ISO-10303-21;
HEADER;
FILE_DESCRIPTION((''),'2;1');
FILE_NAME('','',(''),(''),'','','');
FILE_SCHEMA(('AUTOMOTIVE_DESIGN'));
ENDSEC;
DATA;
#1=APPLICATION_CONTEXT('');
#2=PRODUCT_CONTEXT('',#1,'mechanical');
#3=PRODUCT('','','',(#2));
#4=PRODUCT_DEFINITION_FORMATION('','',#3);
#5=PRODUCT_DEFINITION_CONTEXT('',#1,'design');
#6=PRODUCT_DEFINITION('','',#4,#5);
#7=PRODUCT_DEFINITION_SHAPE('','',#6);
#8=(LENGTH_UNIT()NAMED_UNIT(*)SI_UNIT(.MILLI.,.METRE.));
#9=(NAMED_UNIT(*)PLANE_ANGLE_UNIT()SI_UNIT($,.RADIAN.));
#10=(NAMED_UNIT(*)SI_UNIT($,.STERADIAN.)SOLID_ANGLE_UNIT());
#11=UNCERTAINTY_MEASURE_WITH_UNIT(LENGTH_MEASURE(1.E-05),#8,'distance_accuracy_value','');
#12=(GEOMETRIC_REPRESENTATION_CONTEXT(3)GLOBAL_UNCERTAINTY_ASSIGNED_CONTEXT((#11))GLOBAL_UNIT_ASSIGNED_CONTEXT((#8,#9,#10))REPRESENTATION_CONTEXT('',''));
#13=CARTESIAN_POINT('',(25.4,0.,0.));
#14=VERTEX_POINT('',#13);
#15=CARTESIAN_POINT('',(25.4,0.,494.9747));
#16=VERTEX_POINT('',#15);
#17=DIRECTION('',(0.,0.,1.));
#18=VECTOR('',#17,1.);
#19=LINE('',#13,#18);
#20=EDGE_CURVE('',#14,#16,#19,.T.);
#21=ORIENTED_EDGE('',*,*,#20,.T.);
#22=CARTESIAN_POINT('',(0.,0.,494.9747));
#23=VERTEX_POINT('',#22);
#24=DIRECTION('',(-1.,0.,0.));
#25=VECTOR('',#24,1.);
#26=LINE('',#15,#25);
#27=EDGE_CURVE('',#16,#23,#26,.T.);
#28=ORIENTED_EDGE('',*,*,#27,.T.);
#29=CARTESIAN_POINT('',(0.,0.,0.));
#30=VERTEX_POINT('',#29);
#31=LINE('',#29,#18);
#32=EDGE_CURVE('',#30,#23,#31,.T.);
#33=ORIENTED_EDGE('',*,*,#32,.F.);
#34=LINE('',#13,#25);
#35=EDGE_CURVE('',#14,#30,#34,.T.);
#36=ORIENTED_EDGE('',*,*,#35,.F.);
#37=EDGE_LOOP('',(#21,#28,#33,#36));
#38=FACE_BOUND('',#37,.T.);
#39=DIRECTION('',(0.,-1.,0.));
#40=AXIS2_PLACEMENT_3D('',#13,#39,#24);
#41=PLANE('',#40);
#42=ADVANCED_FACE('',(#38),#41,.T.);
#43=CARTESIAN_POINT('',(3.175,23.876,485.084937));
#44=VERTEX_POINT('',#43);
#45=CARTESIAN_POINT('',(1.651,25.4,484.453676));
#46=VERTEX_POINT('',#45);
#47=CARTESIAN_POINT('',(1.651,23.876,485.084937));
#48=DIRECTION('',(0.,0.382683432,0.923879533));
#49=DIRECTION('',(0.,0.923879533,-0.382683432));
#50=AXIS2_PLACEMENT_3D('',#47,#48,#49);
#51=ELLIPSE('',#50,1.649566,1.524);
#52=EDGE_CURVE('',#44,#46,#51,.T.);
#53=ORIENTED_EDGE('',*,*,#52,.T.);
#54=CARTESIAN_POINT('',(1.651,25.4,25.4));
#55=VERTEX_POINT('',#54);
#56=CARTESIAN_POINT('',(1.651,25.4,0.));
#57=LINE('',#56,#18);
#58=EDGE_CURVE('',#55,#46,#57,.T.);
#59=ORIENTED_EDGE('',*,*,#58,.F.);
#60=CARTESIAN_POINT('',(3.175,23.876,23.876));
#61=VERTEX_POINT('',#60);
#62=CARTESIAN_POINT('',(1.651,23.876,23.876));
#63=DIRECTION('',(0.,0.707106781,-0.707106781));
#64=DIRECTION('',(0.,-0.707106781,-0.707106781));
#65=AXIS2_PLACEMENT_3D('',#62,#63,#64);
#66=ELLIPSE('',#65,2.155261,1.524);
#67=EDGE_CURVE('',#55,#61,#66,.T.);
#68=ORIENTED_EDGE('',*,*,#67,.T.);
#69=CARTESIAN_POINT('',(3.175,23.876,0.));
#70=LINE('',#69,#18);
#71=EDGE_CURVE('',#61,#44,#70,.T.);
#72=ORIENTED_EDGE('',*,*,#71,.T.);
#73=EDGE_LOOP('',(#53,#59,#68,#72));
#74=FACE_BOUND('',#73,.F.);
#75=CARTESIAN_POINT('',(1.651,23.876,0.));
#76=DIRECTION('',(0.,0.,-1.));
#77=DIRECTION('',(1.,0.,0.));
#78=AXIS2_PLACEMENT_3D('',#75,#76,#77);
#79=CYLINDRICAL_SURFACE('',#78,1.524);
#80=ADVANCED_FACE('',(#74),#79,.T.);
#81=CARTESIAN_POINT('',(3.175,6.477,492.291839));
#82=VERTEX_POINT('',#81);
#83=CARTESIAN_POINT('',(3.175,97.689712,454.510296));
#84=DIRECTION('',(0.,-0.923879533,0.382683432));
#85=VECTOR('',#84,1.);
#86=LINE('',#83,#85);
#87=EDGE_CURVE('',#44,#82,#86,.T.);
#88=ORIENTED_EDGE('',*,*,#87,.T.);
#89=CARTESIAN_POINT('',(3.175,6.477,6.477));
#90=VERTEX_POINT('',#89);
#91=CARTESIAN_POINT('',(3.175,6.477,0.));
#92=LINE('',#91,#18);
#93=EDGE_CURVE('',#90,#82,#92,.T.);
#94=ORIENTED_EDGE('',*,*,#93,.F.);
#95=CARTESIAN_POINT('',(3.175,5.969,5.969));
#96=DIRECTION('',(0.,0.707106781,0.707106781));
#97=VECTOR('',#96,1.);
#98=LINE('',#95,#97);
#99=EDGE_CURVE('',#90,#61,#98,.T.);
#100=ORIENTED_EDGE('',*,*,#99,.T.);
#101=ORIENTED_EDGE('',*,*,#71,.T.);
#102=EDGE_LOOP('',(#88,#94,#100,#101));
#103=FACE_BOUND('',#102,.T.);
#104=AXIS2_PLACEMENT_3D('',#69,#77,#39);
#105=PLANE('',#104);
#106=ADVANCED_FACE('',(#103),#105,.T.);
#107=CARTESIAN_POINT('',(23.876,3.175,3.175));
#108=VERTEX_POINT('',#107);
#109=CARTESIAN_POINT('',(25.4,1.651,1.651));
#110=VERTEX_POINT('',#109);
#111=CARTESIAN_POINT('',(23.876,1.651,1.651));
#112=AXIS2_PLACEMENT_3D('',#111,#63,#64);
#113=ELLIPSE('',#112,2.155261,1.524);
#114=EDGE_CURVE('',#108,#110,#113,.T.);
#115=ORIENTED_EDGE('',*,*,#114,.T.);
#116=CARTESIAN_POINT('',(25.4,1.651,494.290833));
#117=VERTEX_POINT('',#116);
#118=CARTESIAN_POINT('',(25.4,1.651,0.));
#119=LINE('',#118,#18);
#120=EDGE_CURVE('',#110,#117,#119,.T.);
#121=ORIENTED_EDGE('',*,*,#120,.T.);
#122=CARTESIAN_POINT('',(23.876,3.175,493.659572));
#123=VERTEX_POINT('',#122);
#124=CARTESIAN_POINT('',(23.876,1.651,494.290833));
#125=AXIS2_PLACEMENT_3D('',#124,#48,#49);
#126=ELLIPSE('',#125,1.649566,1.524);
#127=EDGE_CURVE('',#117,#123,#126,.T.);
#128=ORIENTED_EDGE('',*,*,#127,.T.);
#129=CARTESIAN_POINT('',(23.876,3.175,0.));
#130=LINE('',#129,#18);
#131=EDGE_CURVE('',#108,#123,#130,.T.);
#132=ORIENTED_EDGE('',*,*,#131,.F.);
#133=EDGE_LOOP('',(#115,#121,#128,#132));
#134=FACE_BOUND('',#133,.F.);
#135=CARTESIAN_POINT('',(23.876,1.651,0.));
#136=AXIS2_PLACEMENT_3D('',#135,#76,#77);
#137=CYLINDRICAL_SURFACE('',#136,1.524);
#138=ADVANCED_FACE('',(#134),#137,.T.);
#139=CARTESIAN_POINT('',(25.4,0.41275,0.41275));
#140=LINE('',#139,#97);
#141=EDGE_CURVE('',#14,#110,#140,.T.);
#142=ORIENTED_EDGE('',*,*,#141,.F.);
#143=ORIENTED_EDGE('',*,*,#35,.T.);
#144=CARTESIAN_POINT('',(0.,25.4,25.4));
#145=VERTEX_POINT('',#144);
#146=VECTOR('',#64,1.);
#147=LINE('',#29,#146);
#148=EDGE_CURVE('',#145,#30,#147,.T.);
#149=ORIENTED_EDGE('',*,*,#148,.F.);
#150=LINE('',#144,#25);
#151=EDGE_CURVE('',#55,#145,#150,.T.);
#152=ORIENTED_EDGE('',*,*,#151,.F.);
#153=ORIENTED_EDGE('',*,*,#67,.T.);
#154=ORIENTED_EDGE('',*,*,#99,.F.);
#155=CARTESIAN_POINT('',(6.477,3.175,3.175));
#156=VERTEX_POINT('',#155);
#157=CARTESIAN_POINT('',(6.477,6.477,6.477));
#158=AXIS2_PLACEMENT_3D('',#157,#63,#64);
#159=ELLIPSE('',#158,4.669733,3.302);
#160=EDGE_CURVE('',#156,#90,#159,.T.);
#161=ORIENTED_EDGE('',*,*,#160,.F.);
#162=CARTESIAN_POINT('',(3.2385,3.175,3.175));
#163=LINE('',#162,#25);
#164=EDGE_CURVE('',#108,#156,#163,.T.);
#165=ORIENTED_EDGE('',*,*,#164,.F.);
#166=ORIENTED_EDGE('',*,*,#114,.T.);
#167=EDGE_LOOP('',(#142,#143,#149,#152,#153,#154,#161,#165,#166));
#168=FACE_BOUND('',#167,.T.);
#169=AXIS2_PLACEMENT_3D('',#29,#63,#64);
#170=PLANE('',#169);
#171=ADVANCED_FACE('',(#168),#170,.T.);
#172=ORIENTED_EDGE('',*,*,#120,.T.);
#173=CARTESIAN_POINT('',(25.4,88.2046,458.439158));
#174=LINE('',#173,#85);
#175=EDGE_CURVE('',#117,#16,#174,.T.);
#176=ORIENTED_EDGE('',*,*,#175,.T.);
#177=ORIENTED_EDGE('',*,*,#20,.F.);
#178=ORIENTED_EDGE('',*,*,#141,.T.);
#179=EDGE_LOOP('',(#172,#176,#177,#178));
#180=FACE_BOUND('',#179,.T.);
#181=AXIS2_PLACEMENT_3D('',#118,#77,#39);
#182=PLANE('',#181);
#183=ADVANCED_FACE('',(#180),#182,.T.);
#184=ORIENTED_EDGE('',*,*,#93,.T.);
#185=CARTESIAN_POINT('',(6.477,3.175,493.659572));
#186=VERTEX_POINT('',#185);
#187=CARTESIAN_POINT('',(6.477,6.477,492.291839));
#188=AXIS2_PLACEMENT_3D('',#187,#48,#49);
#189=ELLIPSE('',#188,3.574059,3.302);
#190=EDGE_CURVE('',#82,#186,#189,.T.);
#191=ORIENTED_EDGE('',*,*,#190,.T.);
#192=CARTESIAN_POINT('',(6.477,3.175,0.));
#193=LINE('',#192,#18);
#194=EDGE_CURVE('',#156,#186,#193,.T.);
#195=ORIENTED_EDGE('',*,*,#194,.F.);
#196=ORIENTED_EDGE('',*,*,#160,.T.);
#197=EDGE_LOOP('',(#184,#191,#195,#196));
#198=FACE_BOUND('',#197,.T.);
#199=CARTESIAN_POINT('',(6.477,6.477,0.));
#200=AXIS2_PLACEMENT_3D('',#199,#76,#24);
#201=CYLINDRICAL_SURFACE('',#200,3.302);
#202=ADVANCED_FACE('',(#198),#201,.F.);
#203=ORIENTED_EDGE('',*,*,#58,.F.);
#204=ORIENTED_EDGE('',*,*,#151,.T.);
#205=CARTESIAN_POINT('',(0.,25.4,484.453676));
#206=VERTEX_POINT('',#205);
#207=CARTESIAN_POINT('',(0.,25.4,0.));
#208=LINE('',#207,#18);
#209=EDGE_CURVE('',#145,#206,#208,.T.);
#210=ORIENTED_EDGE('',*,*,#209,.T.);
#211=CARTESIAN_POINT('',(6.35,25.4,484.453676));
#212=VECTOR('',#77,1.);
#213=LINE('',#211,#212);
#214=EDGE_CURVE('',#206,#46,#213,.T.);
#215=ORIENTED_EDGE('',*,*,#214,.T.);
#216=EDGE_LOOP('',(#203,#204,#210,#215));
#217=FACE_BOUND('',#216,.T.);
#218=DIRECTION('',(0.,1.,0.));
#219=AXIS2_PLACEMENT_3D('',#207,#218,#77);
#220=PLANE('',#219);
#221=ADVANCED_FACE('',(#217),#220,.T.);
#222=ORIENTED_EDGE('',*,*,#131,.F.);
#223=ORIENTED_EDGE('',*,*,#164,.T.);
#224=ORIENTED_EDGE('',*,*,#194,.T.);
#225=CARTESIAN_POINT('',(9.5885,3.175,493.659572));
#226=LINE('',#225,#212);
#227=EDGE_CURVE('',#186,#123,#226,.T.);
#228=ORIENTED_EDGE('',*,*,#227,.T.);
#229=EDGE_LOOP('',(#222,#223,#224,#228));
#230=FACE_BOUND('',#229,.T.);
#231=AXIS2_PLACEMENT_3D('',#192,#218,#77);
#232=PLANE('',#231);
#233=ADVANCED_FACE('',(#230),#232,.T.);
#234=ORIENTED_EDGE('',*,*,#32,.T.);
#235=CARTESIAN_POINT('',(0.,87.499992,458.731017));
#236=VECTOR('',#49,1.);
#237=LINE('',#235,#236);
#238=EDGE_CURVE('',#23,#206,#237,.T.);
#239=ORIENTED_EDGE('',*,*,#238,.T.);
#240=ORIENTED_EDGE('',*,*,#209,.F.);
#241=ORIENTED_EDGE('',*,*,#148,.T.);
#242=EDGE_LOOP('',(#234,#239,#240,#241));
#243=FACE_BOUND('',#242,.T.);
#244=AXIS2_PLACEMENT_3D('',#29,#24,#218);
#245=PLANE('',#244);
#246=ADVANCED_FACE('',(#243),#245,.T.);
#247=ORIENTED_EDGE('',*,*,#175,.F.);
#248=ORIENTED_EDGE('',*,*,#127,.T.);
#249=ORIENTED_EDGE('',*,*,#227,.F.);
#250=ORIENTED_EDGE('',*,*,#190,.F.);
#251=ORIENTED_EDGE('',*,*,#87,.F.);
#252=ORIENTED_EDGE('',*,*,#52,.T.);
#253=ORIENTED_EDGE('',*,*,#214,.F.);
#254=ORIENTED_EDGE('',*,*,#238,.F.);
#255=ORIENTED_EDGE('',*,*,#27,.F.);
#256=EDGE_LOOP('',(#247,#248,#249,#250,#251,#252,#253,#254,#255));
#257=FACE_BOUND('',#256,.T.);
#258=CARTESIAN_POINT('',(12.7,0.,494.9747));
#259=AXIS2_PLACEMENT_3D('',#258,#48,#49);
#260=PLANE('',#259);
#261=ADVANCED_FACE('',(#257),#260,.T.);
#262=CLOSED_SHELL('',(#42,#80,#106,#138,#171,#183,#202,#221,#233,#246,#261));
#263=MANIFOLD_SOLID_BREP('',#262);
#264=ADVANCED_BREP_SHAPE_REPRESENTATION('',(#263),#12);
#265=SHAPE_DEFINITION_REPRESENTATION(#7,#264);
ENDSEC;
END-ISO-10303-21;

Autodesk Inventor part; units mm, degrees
ref_plane "Start Plane" through (0, 0, 0) normal (0, 0, 1) x (1, 0, 0)
ref_plane "End Plane" through (0, 0, 494.9747) normal (0, 0, 1) x (1, 0, 0)
sketch "Sketch" plane through (0, 0, 0) normal (0, 0, 1) x (1, 0, 0)
  line L0 (25.4, 0) -> (0, 0)
  line L1 (0, 0) -> (0, 25.4)
  line L2 (0, 25.4) -> (1.651, 25.4)
  line L3 (3.175, 23.876) -> (3.175, 6.477)
  line L4 (6.477, 3.175) -> (23.876, 3.175)
  line L5 (25.4, 1.651) -> (25.4, 0)
  line L6 (0, -11.0414) -> (0, 31.5385) construction
  line L7 (-11.0414, 0) -> (31.5385, 0) construction
  arc A0 (3.175, 6.477) -> (6.477, 3.175) centre (6.477, 6.477) ccw
  arc A1 (3.175, 23.876) -> (1.651, 25.4) centre (1.651, 23.876) ccw
  arc A2 (25.4, 1.651) -> (23.876, 3.175) centre (23.876, 1.651) ccw
  line L8 (0, 40.0545) -> (0, -19.5574) construction
  line L9 (-19.5574, 0) -> (40.0545, 0) construction
  point P0 (3.175, 25.4)
  point P1 (3.175, 3.175)
  point P2 (25.4, 3.175)
  dimension "d0" = 25.4
  dimension "d1" = 25.4
  dimension "d2" = 3.175
  dimension "d3" = 3.175
  dimension "d10" = 0
  dimension "d11" = 0
  dimension "d14" = 3.302
  dimension "d15" = 1.524
extrude "Body" add sketch "Sketch" along normal up to surface (494.9747 mm away) from surface at 0
sketch "Sketch3" plane through (0, 0, 0) normal (0, 0, 1) x (1, 0, 0)
  line L0 (0, 0) -> (10, 0)
ref_plane "Work Plane3" through (0, 0, 0) normal (0, -1, 0) x (1, 0, 0)
ref_plane "Work Plane4" through (12.7, 0, 494.9747) normal (0, 0.3827, 0.9239) x (1, 0, 0)
split "Split1" plane through (12.7, 0, 494.9747) removes the side toward (0, 0.3827, 0.9239)
ref_plane "Work Plane5" through (0, 0, 0) normal (0, 0.7071, -0.7071) x (1, 0, 0)
split "Split2" plane through (0, 0, 0) removes the side toward (0, 0.7071, -0.7071)
sketch "Sketch4" plane through (0, 0, 0) normal (0, -1, 0) x (1, 0, 0)
  line L0 (-2, 0) -> (12, 0) projected
  line L1 (-2, 494.9747) -> (12, 494.9747) projected
  dimension "d17" = 494.9747
equation "\"d0\" = G_H"
equation "\"d1\" = G_H"
equation "\"d2\" = G_T"
equation "\"d3\" = G_T"
equation "\"d14\" = G_IR"
equation "\"d15\" = G_ER"
equation "\"d4\" = G_L"
equation "\"G_H\" = 25.4"
equation "\"G_T\" = 3.175"
equation "\"G_ER\" = 1.524"
equation "\"G_IR\" = 3.302"
equation "\"G_L\" = d17"
equation "\"ex\" = 0"
equation "\"G_OFFSET_START\" = 0"
equation "\"G_OFFSET_END\" = 0"
equation "\"d13\" = G_OFFSET_END + B_L"
equation "\"B_L\" = 494.97475"
properties part number "AISC - L 1 x 1 x 1/8 - 19.487" material "Steel, Mild"
